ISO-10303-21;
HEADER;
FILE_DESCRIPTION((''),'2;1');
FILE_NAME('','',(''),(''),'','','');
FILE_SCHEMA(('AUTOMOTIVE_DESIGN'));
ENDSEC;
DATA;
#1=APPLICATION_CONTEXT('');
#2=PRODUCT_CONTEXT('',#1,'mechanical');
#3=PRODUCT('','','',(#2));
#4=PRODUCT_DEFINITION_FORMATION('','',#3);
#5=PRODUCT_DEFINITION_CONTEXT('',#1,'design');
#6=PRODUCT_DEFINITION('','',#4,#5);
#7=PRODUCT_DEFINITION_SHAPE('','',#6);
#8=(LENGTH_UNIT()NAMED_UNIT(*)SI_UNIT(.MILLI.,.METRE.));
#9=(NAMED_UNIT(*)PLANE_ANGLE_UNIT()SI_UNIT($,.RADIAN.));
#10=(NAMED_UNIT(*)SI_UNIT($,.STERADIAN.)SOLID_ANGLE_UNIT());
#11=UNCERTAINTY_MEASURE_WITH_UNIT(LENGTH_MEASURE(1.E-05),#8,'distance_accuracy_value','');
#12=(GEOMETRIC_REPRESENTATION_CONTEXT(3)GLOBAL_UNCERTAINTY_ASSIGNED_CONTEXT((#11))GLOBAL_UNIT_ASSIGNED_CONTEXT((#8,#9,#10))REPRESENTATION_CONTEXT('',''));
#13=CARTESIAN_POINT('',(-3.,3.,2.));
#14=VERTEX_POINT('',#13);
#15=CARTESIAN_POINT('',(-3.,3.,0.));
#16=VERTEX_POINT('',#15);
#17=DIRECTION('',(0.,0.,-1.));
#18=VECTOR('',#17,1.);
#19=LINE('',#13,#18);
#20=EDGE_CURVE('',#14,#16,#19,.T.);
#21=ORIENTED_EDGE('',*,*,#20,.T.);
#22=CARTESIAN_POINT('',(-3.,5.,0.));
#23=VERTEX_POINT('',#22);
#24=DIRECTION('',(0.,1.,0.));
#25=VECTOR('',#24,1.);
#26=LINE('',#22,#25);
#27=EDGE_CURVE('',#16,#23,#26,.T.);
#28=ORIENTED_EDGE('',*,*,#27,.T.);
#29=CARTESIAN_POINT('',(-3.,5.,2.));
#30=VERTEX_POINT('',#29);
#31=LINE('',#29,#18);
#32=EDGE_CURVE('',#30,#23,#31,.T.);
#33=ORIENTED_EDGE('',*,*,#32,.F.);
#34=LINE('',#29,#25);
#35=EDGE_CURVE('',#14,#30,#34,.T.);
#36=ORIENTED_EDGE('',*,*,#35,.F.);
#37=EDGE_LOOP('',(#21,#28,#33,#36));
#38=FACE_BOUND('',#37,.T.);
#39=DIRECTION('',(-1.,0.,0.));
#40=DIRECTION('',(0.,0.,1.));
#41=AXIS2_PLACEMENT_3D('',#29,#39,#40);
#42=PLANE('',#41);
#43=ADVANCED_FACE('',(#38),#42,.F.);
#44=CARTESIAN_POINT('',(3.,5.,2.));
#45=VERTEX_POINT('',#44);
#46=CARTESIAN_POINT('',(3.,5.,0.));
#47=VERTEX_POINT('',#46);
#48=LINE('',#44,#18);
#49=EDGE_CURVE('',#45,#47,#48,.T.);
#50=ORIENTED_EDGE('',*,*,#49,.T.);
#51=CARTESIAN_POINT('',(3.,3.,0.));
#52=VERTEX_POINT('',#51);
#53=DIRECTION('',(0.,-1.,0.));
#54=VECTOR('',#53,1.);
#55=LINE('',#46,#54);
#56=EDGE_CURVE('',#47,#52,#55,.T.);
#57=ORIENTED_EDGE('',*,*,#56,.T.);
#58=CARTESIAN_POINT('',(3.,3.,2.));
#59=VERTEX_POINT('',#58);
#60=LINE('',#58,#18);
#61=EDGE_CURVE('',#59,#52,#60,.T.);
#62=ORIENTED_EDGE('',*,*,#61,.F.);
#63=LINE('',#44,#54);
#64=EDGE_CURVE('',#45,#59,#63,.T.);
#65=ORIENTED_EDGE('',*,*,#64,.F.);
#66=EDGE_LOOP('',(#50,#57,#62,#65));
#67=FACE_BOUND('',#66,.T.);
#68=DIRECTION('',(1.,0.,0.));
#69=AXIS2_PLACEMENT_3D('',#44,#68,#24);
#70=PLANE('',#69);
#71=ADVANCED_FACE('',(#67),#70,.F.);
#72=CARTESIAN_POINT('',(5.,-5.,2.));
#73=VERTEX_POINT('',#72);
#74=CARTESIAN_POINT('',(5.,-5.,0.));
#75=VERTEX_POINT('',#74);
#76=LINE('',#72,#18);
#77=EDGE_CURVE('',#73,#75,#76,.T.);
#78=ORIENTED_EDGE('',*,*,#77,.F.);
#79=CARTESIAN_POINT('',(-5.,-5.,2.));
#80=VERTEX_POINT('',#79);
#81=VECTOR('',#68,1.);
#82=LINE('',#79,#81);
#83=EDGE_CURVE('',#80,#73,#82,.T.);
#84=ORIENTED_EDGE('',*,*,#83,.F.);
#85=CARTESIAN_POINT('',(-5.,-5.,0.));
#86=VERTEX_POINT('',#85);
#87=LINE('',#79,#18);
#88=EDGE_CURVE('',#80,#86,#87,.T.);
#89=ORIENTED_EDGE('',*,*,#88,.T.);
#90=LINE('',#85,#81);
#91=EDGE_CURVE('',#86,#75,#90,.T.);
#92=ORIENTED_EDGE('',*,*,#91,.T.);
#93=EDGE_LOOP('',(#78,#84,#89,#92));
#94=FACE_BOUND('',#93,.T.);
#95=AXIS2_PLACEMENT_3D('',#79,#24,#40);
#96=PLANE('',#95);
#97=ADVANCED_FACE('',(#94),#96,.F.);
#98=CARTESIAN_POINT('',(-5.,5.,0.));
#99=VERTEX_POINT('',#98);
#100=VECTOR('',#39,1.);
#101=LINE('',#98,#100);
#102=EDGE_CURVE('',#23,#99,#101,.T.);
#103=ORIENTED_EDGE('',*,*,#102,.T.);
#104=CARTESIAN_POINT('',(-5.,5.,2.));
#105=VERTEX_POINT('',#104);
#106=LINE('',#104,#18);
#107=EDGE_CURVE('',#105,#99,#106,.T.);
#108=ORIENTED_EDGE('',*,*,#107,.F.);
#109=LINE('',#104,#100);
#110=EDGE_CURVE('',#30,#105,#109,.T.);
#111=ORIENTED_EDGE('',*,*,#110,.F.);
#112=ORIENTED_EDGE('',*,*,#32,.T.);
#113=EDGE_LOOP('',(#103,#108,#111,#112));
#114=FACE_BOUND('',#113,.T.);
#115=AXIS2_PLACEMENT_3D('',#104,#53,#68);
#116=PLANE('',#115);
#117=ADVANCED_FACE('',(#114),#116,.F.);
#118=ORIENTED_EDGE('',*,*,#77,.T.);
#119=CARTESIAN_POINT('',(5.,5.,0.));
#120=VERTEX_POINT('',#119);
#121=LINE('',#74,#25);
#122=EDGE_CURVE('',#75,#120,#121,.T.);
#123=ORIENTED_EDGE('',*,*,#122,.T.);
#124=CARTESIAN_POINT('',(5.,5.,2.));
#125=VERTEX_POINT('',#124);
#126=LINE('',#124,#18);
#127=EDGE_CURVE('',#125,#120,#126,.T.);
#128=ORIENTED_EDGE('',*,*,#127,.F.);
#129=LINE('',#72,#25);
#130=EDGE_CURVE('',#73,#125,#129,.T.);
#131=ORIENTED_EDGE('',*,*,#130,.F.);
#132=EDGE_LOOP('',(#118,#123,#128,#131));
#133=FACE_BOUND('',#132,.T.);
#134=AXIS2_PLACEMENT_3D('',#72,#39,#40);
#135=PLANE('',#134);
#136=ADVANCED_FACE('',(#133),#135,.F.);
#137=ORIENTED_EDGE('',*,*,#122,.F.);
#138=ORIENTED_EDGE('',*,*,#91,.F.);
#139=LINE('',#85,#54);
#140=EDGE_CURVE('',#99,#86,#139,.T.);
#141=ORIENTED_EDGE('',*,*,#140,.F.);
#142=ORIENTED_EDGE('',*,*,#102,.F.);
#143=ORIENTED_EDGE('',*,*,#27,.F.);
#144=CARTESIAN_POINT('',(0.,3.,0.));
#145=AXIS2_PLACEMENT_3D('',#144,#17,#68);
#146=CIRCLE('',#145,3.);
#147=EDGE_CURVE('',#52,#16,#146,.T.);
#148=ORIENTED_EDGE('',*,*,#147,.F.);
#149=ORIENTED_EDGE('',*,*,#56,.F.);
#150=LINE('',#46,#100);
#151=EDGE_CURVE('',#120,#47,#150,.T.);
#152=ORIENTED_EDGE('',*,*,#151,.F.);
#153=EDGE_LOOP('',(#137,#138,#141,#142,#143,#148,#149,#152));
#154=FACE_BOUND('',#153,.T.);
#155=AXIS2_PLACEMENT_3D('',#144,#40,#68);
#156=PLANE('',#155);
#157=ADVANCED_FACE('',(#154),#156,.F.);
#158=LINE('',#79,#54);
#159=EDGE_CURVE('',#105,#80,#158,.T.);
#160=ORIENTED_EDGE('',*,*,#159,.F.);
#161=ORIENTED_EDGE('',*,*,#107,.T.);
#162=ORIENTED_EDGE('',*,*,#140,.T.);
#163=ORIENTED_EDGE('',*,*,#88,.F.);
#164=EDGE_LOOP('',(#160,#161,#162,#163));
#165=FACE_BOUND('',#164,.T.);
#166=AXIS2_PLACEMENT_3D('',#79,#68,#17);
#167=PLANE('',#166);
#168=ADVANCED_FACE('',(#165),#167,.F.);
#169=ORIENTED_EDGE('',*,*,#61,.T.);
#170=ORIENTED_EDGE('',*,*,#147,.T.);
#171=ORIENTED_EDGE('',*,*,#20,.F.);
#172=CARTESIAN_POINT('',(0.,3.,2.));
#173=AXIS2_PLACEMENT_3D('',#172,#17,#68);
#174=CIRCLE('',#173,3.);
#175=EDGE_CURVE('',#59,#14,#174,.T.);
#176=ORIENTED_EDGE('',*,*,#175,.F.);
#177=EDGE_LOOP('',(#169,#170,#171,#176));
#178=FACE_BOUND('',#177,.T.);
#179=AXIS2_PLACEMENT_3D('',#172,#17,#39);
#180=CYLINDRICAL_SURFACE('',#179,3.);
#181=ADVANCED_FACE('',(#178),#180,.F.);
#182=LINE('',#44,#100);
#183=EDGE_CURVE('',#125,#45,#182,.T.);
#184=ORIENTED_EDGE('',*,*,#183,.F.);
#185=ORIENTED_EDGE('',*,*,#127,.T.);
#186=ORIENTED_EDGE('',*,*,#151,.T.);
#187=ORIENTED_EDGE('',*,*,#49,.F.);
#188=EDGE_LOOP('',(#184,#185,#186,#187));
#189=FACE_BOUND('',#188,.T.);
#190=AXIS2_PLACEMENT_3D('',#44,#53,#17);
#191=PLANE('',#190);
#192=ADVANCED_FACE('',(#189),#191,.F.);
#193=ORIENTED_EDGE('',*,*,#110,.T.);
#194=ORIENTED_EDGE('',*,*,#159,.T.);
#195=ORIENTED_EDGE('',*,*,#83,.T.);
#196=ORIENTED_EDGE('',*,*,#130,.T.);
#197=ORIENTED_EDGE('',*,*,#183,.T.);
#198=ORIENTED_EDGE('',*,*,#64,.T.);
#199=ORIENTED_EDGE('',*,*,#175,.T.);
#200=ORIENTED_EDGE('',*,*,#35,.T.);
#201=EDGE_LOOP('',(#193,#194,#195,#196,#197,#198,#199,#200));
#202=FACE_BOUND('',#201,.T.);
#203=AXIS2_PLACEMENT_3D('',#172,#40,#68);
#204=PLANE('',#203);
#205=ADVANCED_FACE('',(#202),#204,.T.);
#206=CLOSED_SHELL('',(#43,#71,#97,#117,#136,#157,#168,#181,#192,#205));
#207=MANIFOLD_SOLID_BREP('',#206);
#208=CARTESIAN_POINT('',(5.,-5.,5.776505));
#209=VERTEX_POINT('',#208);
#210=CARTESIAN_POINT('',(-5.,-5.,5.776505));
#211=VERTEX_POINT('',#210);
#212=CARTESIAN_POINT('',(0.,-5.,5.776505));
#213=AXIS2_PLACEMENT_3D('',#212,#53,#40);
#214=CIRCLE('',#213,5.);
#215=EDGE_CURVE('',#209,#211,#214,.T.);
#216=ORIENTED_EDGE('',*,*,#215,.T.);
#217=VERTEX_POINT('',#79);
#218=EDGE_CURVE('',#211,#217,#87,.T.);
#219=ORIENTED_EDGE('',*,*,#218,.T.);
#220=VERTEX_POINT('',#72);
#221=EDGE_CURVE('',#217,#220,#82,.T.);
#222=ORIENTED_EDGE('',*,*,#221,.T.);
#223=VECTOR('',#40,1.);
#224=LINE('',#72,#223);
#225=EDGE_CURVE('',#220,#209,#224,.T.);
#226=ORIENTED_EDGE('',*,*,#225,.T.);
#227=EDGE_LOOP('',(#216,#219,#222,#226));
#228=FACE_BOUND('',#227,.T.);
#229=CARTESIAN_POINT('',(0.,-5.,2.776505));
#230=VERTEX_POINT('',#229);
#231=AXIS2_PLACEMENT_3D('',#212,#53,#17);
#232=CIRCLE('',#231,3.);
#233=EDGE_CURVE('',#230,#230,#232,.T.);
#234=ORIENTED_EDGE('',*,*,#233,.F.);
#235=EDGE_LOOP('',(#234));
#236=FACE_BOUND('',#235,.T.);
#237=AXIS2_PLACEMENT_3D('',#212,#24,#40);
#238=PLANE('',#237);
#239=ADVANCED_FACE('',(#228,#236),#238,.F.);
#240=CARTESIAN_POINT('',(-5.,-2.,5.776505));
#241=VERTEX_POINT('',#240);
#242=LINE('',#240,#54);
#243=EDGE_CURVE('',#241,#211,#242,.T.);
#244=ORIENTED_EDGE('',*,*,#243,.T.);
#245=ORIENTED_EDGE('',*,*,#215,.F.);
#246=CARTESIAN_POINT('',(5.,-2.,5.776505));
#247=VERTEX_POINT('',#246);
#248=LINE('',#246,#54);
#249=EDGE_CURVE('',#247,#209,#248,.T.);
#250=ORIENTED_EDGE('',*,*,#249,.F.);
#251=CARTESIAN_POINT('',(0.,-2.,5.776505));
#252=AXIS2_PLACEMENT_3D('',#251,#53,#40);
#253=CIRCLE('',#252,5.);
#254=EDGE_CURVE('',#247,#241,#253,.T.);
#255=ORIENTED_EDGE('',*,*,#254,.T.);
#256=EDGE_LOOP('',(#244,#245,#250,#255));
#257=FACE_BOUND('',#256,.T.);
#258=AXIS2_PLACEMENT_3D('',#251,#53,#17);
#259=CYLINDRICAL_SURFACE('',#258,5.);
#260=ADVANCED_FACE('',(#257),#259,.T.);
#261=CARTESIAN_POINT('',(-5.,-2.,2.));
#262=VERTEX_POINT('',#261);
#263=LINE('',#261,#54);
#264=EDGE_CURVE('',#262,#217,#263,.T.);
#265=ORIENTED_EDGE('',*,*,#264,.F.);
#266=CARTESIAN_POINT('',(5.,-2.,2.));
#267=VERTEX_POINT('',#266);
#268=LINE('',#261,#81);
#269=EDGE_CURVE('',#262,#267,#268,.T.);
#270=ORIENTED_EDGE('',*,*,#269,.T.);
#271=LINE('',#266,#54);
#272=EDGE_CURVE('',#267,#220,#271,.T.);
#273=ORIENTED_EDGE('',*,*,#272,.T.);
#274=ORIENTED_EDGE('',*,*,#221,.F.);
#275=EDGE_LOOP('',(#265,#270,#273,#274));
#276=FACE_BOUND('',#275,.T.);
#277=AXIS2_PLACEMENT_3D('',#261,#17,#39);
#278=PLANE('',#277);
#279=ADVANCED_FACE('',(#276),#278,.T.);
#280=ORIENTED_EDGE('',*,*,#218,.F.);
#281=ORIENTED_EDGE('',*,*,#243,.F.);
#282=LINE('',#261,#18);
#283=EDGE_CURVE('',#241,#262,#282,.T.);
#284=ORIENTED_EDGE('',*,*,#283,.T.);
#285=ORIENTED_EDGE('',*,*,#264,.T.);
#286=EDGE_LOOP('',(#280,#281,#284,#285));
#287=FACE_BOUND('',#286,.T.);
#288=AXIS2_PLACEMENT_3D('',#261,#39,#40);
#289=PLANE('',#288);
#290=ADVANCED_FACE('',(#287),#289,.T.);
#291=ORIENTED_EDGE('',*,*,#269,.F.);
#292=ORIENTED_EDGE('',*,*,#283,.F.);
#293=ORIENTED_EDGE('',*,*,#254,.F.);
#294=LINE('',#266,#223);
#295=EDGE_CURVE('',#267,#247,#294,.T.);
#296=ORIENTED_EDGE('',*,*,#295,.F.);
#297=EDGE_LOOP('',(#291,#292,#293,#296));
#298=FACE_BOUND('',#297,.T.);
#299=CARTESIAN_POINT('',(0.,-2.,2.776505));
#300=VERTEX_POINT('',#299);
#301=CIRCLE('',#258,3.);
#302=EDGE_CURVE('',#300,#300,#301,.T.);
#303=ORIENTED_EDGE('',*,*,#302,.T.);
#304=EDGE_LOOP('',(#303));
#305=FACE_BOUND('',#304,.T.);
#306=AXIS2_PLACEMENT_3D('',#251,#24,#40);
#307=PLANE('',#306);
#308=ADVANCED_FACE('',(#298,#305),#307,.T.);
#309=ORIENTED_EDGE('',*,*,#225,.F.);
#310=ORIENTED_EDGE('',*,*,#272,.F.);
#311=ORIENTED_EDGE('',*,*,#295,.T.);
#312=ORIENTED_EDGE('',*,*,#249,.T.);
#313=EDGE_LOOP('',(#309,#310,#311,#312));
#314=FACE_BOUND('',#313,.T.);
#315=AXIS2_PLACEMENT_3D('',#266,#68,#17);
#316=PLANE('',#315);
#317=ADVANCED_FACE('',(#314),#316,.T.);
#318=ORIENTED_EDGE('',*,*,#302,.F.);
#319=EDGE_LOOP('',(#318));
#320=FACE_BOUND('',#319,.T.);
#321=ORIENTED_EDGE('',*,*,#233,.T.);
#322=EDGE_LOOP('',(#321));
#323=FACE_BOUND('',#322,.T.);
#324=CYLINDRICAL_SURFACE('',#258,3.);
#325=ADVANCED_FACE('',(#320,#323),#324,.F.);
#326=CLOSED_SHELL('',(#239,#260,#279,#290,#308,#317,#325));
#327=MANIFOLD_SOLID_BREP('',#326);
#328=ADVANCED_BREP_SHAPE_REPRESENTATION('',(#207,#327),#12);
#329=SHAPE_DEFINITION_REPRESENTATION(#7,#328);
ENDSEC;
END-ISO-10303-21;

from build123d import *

# Parameters (mm, degrees)
BOSS_EXTRUDE1_DEPTH = 2
SKETCH2_R           = 3
BOSS_EXTRUDE2_DEPTH = 3


with BuildPart() as part:
    # Sketch1 → Boss-Extrude1 (new body)
    with BuildSketch(Plane.XY):
        with BuildLine():
            Line((-5, -5), (5, -5))
            Line((5, -5), (5, 5))
            Line((5, 5), (3, 5))
            Line((3, 5), (3, 3))
            ThreePointArc((3, 3), (0, 0), (-3, 3))
            Line((-3, 3), (-3, 5))
            Line((-3, 5), (-5, 5))
            Line((-5, 5), (-5, -5))
        make_face()
    extrude(amount=BOSS_EXTRUDE1_DEPTH)


with BuildPart() as body_2:
    # Sketch2 → Boss-Extrude2 (new body)
    with BuildSketch(Plane.XZ.offset(5)):
        with BuildLine():
            Line((-5, 2), (5, 2))
            Line((5, 2), (5, 5.776505143))
            ThreePointArc((5, 5.776505143), (0, 10.776505143), (-5, 5.776505143))
            Line((-5, 5.776505143), (-5, 2))
        make_face()
        with Locations((0, 5.776505143)):
            Circle(SKETCH2_R, mode=Mode.SUBTRACT)
    extrude(amount=-BOSS_EXTRUDE2_DEPTH)


solid = Compound([part.part, body_2.part])
